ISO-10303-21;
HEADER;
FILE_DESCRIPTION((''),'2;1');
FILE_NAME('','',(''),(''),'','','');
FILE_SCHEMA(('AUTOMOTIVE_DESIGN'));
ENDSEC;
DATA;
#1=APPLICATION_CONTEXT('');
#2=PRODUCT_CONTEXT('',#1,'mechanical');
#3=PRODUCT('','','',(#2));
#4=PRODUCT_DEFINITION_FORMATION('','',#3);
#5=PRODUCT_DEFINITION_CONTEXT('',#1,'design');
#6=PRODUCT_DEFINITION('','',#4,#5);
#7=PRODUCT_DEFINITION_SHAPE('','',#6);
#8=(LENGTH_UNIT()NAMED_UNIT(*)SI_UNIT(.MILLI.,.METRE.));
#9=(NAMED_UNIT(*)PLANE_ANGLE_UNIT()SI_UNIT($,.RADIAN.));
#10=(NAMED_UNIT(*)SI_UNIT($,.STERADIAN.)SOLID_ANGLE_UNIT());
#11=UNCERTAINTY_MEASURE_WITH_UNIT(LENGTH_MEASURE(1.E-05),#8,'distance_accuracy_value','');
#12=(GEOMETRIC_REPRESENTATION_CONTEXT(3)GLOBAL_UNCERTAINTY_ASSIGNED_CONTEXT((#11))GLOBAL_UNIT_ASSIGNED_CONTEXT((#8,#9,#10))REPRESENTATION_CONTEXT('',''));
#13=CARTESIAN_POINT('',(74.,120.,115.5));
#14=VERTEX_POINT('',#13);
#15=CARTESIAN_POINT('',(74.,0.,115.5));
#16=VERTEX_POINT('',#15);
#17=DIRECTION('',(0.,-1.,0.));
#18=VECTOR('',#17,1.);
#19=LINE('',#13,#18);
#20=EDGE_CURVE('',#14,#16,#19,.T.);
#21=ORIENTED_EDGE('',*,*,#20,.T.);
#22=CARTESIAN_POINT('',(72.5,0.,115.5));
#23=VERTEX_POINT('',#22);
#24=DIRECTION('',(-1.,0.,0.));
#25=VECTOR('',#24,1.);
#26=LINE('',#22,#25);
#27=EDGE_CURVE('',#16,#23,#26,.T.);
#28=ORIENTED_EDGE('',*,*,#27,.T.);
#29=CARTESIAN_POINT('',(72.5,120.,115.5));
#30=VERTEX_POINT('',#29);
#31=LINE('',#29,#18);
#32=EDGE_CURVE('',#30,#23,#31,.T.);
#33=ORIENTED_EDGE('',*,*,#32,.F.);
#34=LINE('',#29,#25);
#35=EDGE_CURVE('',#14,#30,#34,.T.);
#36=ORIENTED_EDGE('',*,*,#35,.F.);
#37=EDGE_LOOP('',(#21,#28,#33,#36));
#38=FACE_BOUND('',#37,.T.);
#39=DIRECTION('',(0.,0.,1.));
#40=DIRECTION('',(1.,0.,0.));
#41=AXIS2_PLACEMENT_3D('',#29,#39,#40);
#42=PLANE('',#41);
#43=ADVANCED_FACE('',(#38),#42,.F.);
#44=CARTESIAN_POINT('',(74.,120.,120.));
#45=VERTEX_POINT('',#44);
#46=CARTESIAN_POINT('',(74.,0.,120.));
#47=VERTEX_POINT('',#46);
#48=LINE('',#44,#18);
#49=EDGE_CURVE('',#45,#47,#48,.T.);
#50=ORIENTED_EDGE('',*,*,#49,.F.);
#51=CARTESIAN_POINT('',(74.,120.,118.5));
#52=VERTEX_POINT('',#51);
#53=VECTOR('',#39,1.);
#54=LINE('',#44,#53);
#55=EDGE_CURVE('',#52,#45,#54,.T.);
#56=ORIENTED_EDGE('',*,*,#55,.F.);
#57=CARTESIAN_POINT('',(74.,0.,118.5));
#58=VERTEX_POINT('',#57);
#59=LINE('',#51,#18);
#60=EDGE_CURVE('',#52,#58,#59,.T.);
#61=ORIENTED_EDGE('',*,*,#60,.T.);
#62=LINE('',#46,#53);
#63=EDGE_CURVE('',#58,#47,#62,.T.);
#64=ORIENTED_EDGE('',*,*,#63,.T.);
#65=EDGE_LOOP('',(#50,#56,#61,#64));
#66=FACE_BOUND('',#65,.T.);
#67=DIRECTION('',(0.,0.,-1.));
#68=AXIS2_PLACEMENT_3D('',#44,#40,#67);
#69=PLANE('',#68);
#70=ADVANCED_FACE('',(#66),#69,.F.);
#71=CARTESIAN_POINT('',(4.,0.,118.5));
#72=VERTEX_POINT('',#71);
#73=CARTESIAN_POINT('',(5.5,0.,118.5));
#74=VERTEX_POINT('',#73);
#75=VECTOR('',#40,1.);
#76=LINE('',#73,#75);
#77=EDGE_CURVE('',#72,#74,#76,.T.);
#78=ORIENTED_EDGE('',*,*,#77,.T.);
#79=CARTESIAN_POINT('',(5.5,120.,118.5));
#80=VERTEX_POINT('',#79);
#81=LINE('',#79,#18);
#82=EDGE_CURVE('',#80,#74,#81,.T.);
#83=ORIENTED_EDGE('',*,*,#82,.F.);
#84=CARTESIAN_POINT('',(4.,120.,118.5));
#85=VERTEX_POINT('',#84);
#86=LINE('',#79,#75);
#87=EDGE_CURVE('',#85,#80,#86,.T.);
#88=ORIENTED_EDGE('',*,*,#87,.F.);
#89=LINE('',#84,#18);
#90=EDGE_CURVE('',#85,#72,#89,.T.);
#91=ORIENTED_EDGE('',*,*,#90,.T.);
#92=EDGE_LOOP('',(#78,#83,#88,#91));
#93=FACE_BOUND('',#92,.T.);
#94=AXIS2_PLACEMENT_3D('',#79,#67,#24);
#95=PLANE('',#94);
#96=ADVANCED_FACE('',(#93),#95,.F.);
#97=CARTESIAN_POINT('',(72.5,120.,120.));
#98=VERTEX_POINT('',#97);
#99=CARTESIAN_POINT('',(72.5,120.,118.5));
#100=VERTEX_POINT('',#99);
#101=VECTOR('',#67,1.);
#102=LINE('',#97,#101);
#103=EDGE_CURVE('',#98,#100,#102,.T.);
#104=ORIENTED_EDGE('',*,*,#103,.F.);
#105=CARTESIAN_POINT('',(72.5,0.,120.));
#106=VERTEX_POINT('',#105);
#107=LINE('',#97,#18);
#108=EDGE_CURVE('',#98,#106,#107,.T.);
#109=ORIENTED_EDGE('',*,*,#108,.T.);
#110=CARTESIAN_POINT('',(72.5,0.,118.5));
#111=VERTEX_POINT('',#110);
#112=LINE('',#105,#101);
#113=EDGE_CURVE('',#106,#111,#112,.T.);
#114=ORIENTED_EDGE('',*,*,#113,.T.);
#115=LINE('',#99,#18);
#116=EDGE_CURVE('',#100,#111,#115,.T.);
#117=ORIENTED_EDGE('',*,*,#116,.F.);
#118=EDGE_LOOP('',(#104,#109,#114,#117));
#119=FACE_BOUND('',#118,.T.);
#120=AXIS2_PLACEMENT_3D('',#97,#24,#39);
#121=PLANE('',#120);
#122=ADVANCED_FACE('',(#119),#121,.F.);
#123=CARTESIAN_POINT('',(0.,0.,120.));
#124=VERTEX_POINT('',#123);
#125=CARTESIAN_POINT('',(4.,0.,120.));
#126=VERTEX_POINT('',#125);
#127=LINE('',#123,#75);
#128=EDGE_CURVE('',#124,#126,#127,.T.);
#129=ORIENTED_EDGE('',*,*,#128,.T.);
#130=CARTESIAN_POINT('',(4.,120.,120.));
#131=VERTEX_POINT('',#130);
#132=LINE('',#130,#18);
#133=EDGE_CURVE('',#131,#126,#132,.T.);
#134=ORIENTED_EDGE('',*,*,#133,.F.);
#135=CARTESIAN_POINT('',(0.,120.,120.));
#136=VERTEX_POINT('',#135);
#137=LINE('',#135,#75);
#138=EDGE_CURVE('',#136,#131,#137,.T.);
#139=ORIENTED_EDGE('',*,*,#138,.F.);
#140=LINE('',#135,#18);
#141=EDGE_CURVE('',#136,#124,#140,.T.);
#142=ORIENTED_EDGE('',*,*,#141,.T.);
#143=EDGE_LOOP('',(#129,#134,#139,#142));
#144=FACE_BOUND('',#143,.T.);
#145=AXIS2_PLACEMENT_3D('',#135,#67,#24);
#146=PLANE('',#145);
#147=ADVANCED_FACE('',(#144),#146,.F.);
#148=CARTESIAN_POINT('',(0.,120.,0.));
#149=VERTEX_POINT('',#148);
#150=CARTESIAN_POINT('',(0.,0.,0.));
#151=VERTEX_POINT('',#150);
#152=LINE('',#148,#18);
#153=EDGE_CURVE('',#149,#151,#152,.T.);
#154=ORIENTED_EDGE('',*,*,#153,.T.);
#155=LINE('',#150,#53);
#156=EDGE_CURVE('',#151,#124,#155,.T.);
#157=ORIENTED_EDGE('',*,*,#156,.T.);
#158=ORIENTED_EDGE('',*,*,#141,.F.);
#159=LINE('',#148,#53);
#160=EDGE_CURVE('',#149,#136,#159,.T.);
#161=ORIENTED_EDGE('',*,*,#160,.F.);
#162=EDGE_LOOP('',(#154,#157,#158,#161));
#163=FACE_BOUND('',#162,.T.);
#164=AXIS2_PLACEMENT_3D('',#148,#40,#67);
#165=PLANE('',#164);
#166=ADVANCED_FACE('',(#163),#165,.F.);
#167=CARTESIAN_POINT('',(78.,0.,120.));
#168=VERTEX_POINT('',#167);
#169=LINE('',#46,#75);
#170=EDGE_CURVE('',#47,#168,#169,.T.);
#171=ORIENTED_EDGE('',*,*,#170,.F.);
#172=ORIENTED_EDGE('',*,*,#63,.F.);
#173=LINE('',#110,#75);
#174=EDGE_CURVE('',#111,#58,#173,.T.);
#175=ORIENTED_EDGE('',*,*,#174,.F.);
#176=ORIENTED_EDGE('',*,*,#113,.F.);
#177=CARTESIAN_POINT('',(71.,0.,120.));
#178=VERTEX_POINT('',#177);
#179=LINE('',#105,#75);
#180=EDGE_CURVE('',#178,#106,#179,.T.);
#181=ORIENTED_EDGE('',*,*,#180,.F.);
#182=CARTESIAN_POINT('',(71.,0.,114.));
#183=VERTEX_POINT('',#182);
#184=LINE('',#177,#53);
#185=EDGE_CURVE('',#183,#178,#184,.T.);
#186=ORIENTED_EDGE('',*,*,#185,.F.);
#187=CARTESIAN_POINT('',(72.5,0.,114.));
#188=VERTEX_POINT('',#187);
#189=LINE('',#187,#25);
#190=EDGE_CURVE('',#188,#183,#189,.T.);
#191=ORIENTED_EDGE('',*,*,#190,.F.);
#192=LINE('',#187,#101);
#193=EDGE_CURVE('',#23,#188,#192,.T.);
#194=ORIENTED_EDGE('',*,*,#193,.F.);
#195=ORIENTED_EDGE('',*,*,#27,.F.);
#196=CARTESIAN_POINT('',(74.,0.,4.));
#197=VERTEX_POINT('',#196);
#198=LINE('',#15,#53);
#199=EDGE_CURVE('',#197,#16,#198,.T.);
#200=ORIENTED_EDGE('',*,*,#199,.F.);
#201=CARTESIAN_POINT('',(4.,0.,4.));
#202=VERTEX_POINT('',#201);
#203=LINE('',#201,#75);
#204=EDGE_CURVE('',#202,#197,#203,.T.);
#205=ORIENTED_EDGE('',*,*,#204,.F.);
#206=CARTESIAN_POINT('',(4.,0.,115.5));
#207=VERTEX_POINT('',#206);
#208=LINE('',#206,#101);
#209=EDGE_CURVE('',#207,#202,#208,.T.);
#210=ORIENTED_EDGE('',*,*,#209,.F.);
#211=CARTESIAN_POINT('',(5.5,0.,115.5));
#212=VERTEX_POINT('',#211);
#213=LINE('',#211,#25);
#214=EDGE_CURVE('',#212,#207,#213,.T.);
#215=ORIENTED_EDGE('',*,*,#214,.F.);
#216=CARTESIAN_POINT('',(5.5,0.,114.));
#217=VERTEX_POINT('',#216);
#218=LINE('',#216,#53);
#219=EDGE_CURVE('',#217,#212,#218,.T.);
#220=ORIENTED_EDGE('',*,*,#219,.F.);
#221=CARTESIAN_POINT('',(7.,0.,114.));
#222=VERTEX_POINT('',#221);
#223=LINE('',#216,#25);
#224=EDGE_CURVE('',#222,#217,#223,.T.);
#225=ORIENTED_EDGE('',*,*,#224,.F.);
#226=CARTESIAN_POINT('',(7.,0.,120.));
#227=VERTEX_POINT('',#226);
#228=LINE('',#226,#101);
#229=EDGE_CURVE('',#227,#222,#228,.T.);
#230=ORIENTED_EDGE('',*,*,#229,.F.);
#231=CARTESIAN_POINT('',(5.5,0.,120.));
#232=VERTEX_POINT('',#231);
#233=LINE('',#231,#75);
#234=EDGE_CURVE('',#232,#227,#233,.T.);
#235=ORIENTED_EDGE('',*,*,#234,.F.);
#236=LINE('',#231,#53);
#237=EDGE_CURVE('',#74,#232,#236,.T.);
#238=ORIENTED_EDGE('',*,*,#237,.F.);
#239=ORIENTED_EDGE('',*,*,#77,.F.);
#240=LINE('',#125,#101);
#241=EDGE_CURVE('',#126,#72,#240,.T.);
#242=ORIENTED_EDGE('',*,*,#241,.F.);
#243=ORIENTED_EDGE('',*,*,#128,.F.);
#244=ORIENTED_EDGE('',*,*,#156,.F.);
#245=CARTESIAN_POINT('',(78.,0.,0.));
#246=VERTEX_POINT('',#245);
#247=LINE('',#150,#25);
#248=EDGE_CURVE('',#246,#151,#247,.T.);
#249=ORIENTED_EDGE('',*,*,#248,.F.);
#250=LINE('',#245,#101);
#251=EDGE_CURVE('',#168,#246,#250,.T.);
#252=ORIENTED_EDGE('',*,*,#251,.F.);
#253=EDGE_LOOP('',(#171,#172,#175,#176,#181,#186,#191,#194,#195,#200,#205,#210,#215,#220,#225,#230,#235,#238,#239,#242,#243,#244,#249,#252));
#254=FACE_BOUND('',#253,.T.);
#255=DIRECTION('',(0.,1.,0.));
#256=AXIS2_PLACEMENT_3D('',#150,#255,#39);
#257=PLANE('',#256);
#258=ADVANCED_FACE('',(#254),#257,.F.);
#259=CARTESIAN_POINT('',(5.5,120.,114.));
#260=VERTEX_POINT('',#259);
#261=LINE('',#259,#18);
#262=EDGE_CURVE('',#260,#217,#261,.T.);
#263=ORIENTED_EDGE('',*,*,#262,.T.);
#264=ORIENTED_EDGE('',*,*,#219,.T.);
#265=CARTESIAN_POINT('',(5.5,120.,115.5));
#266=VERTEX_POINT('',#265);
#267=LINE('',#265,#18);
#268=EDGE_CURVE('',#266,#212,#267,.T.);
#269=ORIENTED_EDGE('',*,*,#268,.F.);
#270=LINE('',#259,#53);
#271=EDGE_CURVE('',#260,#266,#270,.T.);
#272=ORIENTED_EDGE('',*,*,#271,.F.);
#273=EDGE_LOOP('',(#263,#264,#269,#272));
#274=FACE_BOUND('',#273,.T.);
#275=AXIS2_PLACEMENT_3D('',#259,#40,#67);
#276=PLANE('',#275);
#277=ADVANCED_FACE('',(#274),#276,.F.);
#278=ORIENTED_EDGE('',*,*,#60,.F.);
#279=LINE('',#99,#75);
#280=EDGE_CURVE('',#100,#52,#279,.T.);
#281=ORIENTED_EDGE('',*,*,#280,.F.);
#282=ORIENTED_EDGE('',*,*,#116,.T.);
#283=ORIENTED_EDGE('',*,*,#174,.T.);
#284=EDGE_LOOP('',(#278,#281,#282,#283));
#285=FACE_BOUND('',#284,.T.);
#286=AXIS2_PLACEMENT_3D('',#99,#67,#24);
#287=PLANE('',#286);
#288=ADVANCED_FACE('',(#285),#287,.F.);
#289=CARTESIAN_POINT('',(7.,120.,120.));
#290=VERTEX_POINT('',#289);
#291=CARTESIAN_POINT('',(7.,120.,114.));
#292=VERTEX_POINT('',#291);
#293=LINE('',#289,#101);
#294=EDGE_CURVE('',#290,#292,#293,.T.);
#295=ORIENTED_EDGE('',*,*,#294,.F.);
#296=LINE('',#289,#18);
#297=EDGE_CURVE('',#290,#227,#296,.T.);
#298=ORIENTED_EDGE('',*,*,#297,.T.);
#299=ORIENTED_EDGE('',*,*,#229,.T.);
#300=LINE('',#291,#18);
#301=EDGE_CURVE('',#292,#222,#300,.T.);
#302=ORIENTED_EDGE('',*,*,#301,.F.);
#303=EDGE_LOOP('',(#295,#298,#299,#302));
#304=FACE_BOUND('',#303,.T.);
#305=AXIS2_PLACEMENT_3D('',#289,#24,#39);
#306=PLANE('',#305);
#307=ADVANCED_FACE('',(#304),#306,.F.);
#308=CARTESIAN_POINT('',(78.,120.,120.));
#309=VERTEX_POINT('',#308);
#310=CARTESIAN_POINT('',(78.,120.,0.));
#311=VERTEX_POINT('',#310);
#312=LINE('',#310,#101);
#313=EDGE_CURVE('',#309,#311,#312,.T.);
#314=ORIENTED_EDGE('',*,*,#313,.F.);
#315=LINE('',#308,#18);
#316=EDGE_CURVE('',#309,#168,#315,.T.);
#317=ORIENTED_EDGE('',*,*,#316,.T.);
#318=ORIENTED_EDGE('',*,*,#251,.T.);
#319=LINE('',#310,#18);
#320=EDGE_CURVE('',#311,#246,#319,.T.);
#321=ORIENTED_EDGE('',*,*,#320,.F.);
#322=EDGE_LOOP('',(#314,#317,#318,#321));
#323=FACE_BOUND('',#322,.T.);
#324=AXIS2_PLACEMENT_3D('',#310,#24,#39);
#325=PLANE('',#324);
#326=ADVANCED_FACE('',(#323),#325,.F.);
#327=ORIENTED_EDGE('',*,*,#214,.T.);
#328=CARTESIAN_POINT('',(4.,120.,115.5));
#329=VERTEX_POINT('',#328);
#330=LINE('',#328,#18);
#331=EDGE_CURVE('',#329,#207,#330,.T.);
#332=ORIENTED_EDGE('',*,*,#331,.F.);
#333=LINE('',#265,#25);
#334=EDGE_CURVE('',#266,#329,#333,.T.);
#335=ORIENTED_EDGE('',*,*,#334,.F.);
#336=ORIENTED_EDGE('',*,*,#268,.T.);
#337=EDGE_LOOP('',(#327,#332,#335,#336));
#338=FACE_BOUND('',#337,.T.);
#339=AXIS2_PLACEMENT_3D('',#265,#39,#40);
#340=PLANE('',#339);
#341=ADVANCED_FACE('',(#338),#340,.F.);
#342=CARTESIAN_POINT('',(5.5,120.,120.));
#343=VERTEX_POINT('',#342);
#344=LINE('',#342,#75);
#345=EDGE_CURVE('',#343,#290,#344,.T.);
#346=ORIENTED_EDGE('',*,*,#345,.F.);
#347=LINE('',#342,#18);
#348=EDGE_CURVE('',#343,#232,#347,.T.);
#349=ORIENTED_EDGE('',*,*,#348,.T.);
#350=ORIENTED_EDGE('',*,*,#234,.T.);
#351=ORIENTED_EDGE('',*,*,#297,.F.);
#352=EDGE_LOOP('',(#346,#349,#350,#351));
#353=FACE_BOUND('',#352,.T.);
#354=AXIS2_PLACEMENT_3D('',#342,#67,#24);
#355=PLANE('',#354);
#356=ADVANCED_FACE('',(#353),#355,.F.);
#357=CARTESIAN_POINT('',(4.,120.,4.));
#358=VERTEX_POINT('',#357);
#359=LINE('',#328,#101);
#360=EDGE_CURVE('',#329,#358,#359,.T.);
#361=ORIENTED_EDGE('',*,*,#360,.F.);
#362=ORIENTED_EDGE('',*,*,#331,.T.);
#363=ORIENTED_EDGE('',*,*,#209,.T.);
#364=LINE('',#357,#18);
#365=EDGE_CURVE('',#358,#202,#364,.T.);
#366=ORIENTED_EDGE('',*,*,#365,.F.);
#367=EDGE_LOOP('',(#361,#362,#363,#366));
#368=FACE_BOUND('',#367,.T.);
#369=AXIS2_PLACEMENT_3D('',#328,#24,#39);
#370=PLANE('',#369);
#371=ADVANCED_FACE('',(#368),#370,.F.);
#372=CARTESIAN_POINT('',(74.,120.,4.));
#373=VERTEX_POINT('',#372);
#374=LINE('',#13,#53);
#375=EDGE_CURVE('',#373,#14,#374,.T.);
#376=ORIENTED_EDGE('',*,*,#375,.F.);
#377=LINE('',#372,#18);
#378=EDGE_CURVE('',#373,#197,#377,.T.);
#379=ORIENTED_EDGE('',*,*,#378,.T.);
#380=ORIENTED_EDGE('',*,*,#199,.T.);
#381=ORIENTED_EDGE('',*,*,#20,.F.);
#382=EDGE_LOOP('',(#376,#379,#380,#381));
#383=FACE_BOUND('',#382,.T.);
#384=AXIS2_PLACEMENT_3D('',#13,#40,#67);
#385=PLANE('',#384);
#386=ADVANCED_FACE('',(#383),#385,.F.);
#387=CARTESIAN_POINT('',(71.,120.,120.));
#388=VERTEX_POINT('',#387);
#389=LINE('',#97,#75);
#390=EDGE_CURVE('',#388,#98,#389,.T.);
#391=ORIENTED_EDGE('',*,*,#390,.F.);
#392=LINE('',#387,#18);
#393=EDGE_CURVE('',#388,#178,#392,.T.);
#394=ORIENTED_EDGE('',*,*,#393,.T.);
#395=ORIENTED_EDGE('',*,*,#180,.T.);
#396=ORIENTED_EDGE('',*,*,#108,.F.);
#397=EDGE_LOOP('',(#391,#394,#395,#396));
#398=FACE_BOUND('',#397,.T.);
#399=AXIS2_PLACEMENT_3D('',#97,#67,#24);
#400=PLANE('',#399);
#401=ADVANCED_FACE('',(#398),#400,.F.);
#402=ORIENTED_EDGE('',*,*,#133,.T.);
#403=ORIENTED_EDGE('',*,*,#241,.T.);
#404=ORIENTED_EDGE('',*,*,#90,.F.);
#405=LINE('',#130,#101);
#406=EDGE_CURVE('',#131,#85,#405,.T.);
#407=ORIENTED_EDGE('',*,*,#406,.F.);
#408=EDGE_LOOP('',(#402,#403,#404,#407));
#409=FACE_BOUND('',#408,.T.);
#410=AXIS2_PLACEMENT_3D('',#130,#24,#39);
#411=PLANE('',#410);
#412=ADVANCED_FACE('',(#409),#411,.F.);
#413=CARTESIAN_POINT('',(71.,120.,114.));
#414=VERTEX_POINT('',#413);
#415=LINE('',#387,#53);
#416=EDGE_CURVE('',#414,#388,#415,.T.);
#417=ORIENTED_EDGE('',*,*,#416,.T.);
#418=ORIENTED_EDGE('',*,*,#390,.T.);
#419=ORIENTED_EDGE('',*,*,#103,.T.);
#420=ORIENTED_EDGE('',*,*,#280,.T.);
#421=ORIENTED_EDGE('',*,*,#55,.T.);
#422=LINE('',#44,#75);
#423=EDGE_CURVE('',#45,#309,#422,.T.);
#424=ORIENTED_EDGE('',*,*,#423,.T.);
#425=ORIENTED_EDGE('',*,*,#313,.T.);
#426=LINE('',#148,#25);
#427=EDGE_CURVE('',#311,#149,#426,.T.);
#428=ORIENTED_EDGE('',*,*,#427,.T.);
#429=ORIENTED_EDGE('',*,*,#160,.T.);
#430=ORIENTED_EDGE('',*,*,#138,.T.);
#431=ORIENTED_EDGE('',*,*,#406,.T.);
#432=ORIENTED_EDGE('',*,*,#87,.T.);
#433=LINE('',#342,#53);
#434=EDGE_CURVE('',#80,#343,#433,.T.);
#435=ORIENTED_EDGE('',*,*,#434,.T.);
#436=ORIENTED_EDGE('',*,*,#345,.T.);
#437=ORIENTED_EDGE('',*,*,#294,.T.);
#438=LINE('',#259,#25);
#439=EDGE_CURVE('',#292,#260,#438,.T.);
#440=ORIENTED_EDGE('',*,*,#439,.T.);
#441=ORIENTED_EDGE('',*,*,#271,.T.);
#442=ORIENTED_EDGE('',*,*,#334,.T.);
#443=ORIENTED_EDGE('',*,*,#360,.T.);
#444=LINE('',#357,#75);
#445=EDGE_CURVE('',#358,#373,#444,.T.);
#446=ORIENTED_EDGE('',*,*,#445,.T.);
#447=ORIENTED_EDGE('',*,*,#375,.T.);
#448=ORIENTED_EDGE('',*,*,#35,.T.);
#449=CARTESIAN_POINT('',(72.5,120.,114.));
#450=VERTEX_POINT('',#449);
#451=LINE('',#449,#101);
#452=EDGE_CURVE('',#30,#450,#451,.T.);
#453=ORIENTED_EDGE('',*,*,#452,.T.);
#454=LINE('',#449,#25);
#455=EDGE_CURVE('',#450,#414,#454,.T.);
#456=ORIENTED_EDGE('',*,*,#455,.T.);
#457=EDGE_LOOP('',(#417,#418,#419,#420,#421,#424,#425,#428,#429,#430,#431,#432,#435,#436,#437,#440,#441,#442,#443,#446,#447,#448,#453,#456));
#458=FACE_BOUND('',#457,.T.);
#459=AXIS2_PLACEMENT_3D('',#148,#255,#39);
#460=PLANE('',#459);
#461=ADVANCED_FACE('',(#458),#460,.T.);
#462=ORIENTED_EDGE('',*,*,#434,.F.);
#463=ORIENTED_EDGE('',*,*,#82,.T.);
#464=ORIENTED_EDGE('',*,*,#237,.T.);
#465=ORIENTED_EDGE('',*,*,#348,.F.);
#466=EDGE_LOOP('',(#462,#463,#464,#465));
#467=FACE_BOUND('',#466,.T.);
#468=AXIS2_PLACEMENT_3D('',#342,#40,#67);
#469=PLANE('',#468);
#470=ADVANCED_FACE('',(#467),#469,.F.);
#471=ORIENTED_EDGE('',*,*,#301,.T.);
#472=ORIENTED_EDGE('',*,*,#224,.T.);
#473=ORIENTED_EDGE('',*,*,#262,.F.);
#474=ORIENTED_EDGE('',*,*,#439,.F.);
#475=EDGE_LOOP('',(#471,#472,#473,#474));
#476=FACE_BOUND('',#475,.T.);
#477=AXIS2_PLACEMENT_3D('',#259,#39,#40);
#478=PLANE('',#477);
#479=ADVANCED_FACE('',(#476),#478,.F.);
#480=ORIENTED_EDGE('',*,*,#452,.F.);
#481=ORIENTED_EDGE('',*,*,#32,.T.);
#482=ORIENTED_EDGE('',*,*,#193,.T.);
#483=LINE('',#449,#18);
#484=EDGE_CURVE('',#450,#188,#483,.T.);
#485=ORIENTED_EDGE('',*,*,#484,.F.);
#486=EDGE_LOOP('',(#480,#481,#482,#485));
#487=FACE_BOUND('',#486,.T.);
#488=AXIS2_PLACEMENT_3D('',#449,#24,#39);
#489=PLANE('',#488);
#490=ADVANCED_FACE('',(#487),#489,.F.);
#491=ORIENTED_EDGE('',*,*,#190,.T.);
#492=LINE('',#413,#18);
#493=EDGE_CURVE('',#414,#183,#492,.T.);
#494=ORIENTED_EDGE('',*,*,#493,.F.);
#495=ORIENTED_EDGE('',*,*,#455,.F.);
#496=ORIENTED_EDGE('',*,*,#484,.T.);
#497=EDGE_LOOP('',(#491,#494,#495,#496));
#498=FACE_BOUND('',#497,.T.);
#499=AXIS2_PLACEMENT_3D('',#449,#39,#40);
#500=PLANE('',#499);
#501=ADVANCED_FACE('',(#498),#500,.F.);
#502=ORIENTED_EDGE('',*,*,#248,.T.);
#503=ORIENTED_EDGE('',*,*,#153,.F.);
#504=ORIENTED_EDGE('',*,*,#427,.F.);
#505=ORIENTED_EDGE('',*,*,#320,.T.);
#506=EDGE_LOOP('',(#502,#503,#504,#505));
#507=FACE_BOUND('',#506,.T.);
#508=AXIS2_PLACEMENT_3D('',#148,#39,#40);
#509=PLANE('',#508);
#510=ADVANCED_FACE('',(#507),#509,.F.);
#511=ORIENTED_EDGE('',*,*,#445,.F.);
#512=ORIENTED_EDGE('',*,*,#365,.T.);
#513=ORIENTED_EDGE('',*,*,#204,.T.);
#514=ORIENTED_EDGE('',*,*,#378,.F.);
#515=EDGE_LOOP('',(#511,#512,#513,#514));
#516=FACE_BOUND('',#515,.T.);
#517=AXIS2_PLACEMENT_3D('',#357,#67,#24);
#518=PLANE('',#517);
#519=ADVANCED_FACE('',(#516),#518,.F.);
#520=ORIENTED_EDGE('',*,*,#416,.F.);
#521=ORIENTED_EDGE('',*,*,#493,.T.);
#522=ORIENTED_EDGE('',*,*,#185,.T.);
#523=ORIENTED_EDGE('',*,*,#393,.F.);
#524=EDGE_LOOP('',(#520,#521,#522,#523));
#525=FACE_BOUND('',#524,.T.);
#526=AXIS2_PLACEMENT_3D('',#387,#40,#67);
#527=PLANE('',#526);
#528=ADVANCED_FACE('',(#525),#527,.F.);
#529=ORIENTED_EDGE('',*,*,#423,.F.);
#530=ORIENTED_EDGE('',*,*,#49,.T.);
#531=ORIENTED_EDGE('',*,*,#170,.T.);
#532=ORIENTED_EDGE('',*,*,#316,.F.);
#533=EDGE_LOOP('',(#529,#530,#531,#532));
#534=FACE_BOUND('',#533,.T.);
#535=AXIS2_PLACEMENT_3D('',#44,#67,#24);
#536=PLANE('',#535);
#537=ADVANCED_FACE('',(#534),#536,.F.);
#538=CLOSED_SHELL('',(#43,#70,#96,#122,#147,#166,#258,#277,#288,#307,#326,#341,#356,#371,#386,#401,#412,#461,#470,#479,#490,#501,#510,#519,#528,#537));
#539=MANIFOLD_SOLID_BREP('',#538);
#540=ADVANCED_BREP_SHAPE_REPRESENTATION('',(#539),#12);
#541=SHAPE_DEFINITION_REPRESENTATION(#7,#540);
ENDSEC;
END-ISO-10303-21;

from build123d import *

# Parameters (mm, degrees)
BOSS_EXTRU_2_DEPTH = 120


with BuildPart() as part:
    # Esquisse1 → Boss.-Extru.2 (new body)
    with BuildSketch(Plane(origin=(0, 0, 0), x_dir=(1, 0, 0), z_dir=(0, 1, 0))):
        Polygon((74, -120), (78, -120), (78, 0), (0, 0), (0, -120), (4, -120), (4, -118.5), (5.5, -118.5), (5.5, -120), (7, -120), (7, -114), (5.5, -114), (5.5, -115.5), (4, -115.5), (4, -4), (74, -4), (74, -115.5), (72.5, -115.5), (72.5, -114), (71, -114), (71, -120), (72.5, -120), (72.5, -118.5), (74, -118.5), align=None)
    extrude(amount=BOSS_EXTRU_2_DEPTH)


solid = part.part
